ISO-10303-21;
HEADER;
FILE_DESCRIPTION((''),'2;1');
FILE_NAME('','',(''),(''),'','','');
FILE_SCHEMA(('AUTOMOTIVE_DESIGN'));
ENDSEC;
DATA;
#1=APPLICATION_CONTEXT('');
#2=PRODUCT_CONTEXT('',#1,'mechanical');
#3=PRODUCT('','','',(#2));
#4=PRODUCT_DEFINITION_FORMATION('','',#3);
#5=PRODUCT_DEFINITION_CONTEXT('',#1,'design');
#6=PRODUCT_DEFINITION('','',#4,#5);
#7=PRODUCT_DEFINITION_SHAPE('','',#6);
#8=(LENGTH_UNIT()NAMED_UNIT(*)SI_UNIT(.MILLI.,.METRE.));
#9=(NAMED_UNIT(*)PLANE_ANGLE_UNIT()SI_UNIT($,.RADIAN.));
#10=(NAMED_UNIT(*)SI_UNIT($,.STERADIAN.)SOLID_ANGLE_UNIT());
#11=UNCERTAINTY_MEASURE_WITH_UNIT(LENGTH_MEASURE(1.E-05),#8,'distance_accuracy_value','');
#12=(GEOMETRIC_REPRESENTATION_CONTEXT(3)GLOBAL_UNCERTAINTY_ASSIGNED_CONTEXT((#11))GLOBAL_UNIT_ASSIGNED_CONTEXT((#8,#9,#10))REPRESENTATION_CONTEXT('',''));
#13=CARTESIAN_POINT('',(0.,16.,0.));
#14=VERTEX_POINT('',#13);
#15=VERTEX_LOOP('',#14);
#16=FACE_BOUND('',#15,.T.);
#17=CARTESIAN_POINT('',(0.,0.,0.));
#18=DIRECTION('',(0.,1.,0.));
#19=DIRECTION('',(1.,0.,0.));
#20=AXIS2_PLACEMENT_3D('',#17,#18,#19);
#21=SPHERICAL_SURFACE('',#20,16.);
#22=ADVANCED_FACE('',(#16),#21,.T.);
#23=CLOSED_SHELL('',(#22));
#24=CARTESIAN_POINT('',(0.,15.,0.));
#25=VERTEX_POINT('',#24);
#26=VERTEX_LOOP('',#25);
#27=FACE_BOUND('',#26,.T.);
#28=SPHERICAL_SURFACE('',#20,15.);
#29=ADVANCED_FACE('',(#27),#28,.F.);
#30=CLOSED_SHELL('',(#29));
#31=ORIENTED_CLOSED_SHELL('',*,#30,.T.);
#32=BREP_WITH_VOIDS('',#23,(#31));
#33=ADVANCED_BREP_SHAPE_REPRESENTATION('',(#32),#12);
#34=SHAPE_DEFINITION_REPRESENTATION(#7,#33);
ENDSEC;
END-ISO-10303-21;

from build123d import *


with BuildPart() as part:
    # Sketch1 → Revolve1 (revolve)
    with BuildSketch(Plane.XY):
        with BuildLine():
            Line((0, 16), (0, -16))
            ThreePointArc((0, -16), (-16, 0), (0, 16))
        make_face()
    revolve(axis=Axis((0, 39.890116134, 0), (0, -1, 0)))

    # Sketch2 → Cut-Revolve1 (revolve, cut)
    with BuildSketch(Plane.XY):
        with BuildLine():
            Line((0, 15), (0, -15))
            ThreePointArc((0, -15), (-15, 0), (0, 15))
        make_face()
    revolve(axis=Axis((0, 39.890116134, 0), (0, -1, 0)), mode=Mode.SUBTRACT)


solid = part.part
